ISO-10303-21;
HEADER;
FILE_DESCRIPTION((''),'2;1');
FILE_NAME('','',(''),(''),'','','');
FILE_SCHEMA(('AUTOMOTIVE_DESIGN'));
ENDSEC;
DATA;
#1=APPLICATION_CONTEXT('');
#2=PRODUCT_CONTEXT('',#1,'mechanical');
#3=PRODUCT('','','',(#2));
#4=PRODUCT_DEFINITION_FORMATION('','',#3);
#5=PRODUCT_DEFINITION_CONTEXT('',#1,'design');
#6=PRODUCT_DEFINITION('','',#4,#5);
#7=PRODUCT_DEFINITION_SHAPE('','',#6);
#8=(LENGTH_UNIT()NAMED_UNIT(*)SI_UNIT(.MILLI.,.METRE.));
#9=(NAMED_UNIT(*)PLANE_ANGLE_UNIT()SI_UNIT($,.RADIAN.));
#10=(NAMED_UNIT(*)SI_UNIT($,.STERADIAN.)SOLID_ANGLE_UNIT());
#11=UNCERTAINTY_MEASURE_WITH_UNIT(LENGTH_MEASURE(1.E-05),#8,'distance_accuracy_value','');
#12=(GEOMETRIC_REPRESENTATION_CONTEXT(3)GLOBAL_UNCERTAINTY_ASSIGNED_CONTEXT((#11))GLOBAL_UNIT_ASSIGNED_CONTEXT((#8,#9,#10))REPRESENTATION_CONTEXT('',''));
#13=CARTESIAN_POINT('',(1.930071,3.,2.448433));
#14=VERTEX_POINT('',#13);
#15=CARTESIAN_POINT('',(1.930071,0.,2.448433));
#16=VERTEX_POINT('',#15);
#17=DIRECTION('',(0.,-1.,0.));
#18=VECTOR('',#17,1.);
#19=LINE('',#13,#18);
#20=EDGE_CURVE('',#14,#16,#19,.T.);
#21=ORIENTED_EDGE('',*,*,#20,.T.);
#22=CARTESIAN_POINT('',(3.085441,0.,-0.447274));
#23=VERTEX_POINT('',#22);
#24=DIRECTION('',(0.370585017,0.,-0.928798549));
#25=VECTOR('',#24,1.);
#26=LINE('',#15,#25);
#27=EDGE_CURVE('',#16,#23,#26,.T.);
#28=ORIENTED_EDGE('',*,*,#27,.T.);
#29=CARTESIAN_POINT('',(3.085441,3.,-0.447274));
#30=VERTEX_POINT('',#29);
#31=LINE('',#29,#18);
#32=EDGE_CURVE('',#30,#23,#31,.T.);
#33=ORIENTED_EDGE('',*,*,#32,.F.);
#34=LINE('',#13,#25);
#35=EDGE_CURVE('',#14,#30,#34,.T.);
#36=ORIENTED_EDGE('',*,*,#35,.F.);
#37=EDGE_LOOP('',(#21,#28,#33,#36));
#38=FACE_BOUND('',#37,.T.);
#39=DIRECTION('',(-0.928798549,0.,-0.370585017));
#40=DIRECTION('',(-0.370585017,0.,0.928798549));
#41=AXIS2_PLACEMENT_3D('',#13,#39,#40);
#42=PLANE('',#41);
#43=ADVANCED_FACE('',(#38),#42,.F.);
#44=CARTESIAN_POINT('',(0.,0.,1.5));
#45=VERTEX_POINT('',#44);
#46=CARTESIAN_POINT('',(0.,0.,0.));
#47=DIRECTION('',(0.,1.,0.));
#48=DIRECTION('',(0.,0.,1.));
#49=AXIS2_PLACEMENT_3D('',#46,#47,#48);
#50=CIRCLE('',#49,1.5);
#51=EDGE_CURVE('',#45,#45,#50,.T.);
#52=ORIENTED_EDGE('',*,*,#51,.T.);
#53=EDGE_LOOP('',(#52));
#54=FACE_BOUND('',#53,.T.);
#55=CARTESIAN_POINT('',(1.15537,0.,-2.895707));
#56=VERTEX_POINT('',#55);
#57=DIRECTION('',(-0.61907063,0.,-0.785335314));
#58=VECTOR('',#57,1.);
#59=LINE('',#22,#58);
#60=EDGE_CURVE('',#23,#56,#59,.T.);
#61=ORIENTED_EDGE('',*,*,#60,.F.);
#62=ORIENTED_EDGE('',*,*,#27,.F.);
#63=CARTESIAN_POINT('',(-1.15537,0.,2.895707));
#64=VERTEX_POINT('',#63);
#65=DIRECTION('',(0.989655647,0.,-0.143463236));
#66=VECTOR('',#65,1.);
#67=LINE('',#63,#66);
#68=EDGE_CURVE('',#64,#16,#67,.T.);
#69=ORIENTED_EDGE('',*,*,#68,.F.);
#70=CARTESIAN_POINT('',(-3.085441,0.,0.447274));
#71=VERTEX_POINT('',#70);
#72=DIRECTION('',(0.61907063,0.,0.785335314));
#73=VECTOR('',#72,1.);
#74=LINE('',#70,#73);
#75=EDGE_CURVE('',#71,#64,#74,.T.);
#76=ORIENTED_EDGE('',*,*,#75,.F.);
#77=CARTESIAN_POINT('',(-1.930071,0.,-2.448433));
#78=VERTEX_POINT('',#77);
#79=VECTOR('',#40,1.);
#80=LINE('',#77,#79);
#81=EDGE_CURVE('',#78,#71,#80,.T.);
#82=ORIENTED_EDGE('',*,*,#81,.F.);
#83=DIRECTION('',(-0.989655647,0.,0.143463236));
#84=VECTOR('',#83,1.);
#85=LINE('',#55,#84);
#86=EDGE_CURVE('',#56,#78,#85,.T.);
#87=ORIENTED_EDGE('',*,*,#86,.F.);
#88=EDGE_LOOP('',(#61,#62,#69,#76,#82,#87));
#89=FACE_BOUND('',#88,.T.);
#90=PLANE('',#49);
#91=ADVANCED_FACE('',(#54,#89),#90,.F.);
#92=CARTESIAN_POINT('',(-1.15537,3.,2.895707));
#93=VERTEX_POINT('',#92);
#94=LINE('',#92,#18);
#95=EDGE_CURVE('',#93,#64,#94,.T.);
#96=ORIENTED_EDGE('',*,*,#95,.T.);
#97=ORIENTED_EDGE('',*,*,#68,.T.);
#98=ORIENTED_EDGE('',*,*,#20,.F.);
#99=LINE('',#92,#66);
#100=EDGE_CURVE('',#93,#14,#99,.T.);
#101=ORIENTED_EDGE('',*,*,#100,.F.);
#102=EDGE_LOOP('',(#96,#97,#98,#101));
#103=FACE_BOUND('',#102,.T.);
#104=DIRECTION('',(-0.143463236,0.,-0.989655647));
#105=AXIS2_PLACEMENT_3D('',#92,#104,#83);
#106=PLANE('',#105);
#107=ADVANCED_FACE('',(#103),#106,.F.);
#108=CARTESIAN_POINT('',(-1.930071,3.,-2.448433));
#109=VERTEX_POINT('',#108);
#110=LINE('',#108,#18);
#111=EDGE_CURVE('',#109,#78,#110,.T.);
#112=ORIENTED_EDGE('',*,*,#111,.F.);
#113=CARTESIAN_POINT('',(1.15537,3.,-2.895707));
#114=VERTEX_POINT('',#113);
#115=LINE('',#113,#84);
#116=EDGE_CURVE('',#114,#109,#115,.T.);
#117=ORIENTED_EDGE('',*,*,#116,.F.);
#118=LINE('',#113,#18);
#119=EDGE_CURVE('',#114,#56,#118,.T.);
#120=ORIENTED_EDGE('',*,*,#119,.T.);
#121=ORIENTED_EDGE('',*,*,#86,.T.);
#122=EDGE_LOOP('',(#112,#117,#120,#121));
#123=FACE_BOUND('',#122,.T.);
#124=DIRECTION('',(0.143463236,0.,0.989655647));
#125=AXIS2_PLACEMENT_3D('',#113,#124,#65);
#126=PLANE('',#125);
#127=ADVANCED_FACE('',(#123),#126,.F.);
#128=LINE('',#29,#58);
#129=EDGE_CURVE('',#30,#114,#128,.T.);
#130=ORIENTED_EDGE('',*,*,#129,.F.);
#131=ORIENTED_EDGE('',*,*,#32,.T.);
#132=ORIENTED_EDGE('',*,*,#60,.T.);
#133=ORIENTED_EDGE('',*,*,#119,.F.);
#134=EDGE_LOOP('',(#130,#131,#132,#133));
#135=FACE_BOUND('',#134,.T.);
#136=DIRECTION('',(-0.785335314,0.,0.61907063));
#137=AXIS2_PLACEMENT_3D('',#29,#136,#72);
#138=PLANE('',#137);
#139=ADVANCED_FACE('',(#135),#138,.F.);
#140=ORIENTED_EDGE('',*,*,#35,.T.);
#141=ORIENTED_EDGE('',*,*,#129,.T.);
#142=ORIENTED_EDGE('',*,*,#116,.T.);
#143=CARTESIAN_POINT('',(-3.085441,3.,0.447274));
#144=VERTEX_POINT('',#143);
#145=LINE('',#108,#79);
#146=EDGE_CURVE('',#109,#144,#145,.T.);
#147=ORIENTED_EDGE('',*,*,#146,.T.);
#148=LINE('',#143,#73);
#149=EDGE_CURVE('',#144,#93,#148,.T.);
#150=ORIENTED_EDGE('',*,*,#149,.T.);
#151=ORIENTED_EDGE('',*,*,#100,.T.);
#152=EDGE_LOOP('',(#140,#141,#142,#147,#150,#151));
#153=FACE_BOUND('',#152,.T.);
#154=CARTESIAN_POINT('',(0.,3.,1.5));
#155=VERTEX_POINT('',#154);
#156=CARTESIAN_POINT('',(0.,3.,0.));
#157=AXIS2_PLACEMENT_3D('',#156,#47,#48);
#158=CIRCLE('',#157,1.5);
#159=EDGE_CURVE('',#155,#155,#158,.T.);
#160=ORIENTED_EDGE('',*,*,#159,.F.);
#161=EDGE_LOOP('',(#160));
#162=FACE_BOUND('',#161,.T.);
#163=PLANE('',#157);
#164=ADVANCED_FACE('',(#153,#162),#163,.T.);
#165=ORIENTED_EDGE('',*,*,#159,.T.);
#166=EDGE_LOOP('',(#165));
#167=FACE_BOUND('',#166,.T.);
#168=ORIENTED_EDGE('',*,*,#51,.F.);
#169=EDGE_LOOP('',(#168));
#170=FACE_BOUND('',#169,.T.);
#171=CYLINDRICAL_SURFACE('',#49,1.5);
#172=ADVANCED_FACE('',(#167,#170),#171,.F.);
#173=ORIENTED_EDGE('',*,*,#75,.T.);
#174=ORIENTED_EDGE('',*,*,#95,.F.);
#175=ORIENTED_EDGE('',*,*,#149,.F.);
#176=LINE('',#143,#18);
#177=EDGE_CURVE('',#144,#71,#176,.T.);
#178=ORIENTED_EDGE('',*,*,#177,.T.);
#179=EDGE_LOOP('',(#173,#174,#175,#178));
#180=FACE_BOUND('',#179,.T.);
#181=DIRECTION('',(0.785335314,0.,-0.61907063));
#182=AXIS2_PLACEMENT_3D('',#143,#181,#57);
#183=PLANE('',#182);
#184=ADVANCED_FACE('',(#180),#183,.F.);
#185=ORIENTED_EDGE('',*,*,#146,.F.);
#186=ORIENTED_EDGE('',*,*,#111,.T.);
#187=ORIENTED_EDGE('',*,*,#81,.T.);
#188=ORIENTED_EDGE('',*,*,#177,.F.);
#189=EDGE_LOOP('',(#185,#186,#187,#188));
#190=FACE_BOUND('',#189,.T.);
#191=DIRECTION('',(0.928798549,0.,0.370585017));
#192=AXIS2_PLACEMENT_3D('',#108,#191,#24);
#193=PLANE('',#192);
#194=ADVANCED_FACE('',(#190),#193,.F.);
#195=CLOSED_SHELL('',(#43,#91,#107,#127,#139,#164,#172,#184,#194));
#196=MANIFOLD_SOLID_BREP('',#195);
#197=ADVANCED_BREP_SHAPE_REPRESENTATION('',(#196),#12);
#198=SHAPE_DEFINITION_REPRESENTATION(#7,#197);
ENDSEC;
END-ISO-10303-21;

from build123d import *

# Parameters (mm, degrees)
BOSS_EXTRUDE1_DEPTH = 3
SKETCH3_R           = 1.5
CUT_EXTRUDE1_DEPTH  = 3


with BuildPart() as part:
    # Sketch2 → Boss-Extrude1 (new body)
    with BuildSketch(Plane(origin=(0, 0, 0), x_dir=(1, 0, 0), z_dir=(0, 1, 0))):
        Polygon((1.930071213, -2.448433196), (3.085440953, 0.447274104), (1.155369741, 2.895707299), (-1.930071213, 2.448433196), (-3.085440953, -0.447274104), (-1.155369741, -2.895707299), align=None)
    extrude(amount=BOSS_EXTRUDE1_DEPTH)

    # Sketch3 → Cut-Extrude1 (cut)
    with BuildSketch(Plane(origin=(0, 3, 0), x_dir=(1, 0, 0), z_dir=(0, 1, 0))):
        Circle(SKETCH3_R)
    extrude(amount=-CUT_EXTRUDE1_DEPTH, mode=Mode.SUBTRACT)


solid = part.part
